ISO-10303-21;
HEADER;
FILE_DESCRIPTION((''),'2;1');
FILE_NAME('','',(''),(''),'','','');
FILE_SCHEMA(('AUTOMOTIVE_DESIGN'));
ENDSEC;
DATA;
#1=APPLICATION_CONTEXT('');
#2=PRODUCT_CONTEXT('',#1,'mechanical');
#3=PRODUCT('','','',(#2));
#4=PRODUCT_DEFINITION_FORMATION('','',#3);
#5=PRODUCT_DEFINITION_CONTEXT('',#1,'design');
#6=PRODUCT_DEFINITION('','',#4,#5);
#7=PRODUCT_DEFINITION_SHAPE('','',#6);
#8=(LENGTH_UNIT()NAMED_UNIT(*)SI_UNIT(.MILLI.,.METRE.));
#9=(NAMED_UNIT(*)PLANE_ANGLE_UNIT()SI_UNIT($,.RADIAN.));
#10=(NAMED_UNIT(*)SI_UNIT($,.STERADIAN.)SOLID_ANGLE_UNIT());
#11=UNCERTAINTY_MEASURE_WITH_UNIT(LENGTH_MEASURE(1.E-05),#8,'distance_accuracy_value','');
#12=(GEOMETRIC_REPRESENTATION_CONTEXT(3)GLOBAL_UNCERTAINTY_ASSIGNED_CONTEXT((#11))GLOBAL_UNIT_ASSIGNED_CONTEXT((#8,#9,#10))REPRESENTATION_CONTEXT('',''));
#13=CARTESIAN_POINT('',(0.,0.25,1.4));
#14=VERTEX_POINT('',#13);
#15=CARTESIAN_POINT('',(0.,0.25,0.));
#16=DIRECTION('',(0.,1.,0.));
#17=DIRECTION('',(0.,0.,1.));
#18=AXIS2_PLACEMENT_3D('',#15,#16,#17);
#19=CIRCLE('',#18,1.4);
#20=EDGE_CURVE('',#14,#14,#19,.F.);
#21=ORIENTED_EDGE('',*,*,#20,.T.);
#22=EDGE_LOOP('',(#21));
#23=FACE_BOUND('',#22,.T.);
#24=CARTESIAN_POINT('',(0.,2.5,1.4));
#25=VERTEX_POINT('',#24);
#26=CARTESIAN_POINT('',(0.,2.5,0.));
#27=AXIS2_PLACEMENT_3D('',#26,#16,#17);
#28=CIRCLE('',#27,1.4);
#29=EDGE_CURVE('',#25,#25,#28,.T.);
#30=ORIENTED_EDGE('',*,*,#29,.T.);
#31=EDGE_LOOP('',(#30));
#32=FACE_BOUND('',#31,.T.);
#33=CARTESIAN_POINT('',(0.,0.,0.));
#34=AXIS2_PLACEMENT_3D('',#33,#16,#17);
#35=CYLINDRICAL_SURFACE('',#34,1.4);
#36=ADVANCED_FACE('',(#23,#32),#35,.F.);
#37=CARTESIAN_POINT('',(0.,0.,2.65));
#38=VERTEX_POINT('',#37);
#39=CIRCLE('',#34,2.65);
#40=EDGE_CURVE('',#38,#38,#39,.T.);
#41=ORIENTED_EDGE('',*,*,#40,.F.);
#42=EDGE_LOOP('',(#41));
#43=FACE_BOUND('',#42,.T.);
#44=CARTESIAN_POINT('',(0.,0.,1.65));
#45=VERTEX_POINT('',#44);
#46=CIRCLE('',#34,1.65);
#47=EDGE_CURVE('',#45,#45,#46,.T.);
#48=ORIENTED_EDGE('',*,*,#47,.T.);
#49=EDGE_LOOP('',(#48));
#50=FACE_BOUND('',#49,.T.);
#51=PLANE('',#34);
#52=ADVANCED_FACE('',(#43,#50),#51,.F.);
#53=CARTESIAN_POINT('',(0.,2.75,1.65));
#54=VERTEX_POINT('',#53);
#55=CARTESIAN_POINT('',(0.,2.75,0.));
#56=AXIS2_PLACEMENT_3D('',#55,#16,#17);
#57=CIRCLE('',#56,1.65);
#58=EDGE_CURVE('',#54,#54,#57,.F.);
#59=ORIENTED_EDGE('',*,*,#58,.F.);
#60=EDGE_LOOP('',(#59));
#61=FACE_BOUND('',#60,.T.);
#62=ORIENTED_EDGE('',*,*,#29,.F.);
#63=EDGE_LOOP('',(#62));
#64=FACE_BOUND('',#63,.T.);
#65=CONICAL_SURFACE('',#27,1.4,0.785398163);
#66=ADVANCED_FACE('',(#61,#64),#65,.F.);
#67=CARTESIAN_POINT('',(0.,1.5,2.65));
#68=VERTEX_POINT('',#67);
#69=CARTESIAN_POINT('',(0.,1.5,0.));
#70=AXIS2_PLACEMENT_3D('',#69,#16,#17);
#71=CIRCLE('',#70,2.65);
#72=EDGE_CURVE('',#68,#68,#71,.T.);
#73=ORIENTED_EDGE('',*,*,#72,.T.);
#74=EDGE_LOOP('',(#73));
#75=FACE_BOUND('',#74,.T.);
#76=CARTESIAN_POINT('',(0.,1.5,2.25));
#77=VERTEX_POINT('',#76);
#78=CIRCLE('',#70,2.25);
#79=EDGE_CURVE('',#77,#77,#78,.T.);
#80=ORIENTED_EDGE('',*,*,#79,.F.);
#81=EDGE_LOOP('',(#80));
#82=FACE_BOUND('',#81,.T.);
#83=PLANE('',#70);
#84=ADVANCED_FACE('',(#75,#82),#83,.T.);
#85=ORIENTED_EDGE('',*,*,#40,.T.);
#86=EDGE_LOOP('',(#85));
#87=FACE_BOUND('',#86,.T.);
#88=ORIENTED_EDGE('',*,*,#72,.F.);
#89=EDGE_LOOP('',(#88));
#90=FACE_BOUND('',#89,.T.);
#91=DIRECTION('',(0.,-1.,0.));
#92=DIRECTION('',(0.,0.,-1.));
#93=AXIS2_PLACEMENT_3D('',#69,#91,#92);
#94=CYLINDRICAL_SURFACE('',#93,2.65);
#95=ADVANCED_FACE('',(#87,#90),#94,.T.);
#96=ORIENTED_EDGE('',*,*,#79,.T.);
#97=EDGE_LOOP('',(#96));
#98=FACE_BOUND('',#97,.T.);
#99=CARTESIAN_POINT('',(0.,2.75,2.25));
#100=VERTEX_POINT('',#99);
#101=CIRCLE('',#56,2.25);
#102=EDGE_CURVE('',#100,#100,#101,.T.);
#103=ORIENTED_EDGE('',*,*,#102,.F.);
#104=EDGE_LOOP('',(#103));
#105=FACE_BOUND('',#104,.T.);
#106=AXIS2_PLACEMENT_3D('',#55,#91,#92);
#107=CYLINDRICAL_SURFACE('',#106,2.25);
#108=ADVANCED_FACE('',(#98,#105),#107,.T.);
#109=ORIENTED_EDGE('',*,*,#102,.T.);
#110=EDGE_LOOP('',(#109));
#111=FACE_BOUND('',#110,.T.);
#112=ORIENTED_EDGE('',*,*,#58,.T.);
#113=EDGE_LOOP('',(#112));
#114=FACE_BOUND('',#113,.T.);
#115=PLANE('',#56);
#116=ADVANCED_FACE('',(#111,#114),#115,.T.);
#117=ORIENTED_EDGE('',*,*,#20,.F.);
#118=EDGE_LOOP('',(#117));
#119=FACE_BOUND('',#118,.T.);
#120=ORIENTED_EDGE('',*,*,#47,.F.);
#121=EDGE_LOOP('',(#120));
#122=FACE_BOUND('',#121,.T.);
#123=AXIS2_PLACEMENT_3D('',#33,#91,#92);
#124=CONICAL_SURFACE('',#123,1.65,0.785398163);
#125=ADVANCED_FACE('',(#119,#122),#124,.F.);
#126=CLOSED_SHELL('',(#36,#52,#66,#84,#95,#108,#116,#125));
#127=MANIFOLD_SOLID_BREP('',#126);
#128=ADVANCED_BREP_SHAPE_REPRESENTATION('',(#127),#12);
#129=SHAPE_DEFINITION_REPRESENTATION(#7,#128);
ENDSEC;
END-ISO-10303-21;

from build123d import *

# Parameters (mm, degrees)
SKETCH1_R           = 2.65
BOSS_EXTRUDE1_DEPTH = 1.5
SKETCH2_R           = 2.25
BOSS_EXTRUDE2_DEPTH = 1.25
SKETCH3_R           = 1.4
CUT_EXTRUDE1_DEPTH  = 5.648386817
CHAMFER1_SIZE       = 0.25


with BuildPart() as part:
    # Sketch1 → Boss-Extrude1 (new body)
    with BuildSketch(Plane(origin=(0, 0, 0), x_dir=(1, 0, 0), z_dir=(0, 1, 0))):
        with Locations(Location((0, 0, 0), (0, 0, 270))):
            Circle(SKETCH1_R)
    extrude(amount=BOSS_EXTRUDE1_DEPTH)

    # Sketch2 → Boss-Extrude2 (add)
    with BuildSketch(Plane(origin=(0, 1.5, 0), x_dir=(1, 0, 0), z_dir=(0, 1, 0))):
        with Locations(Location((0, 0, 0), (0, 0, 270))):
            Circle(SKETCH2_R)
    extrude(amount=BOSS_EXTRUDE2_DEPTH)

    # Sketch3 → Cut-Extrude1 (cut, through all)
    with BuildSketch(Plane(origin=(0, 2.75, 0), x_dir=(1, 0, 0), z_dir=(0, 1, 0))):
        with Locations(Location((0, 0, 0), (0, 0, 270))):
            Circle(SKETCH3_R)
    extrude(amount=-CUT_EXTRUDE1_DEPTH, mode=Mode.SUBTRACT)

    # Chamfer1
    chamfer1_edges = [part.edges().sort_by_distance(p)[0] for p in [
        (0, 0, -1.4),
        (0, 2.75, -1.4),
    ]]
    chamfer(chamfer1_edges, length=CHAMFER1_SIZE)


solid = part.part
